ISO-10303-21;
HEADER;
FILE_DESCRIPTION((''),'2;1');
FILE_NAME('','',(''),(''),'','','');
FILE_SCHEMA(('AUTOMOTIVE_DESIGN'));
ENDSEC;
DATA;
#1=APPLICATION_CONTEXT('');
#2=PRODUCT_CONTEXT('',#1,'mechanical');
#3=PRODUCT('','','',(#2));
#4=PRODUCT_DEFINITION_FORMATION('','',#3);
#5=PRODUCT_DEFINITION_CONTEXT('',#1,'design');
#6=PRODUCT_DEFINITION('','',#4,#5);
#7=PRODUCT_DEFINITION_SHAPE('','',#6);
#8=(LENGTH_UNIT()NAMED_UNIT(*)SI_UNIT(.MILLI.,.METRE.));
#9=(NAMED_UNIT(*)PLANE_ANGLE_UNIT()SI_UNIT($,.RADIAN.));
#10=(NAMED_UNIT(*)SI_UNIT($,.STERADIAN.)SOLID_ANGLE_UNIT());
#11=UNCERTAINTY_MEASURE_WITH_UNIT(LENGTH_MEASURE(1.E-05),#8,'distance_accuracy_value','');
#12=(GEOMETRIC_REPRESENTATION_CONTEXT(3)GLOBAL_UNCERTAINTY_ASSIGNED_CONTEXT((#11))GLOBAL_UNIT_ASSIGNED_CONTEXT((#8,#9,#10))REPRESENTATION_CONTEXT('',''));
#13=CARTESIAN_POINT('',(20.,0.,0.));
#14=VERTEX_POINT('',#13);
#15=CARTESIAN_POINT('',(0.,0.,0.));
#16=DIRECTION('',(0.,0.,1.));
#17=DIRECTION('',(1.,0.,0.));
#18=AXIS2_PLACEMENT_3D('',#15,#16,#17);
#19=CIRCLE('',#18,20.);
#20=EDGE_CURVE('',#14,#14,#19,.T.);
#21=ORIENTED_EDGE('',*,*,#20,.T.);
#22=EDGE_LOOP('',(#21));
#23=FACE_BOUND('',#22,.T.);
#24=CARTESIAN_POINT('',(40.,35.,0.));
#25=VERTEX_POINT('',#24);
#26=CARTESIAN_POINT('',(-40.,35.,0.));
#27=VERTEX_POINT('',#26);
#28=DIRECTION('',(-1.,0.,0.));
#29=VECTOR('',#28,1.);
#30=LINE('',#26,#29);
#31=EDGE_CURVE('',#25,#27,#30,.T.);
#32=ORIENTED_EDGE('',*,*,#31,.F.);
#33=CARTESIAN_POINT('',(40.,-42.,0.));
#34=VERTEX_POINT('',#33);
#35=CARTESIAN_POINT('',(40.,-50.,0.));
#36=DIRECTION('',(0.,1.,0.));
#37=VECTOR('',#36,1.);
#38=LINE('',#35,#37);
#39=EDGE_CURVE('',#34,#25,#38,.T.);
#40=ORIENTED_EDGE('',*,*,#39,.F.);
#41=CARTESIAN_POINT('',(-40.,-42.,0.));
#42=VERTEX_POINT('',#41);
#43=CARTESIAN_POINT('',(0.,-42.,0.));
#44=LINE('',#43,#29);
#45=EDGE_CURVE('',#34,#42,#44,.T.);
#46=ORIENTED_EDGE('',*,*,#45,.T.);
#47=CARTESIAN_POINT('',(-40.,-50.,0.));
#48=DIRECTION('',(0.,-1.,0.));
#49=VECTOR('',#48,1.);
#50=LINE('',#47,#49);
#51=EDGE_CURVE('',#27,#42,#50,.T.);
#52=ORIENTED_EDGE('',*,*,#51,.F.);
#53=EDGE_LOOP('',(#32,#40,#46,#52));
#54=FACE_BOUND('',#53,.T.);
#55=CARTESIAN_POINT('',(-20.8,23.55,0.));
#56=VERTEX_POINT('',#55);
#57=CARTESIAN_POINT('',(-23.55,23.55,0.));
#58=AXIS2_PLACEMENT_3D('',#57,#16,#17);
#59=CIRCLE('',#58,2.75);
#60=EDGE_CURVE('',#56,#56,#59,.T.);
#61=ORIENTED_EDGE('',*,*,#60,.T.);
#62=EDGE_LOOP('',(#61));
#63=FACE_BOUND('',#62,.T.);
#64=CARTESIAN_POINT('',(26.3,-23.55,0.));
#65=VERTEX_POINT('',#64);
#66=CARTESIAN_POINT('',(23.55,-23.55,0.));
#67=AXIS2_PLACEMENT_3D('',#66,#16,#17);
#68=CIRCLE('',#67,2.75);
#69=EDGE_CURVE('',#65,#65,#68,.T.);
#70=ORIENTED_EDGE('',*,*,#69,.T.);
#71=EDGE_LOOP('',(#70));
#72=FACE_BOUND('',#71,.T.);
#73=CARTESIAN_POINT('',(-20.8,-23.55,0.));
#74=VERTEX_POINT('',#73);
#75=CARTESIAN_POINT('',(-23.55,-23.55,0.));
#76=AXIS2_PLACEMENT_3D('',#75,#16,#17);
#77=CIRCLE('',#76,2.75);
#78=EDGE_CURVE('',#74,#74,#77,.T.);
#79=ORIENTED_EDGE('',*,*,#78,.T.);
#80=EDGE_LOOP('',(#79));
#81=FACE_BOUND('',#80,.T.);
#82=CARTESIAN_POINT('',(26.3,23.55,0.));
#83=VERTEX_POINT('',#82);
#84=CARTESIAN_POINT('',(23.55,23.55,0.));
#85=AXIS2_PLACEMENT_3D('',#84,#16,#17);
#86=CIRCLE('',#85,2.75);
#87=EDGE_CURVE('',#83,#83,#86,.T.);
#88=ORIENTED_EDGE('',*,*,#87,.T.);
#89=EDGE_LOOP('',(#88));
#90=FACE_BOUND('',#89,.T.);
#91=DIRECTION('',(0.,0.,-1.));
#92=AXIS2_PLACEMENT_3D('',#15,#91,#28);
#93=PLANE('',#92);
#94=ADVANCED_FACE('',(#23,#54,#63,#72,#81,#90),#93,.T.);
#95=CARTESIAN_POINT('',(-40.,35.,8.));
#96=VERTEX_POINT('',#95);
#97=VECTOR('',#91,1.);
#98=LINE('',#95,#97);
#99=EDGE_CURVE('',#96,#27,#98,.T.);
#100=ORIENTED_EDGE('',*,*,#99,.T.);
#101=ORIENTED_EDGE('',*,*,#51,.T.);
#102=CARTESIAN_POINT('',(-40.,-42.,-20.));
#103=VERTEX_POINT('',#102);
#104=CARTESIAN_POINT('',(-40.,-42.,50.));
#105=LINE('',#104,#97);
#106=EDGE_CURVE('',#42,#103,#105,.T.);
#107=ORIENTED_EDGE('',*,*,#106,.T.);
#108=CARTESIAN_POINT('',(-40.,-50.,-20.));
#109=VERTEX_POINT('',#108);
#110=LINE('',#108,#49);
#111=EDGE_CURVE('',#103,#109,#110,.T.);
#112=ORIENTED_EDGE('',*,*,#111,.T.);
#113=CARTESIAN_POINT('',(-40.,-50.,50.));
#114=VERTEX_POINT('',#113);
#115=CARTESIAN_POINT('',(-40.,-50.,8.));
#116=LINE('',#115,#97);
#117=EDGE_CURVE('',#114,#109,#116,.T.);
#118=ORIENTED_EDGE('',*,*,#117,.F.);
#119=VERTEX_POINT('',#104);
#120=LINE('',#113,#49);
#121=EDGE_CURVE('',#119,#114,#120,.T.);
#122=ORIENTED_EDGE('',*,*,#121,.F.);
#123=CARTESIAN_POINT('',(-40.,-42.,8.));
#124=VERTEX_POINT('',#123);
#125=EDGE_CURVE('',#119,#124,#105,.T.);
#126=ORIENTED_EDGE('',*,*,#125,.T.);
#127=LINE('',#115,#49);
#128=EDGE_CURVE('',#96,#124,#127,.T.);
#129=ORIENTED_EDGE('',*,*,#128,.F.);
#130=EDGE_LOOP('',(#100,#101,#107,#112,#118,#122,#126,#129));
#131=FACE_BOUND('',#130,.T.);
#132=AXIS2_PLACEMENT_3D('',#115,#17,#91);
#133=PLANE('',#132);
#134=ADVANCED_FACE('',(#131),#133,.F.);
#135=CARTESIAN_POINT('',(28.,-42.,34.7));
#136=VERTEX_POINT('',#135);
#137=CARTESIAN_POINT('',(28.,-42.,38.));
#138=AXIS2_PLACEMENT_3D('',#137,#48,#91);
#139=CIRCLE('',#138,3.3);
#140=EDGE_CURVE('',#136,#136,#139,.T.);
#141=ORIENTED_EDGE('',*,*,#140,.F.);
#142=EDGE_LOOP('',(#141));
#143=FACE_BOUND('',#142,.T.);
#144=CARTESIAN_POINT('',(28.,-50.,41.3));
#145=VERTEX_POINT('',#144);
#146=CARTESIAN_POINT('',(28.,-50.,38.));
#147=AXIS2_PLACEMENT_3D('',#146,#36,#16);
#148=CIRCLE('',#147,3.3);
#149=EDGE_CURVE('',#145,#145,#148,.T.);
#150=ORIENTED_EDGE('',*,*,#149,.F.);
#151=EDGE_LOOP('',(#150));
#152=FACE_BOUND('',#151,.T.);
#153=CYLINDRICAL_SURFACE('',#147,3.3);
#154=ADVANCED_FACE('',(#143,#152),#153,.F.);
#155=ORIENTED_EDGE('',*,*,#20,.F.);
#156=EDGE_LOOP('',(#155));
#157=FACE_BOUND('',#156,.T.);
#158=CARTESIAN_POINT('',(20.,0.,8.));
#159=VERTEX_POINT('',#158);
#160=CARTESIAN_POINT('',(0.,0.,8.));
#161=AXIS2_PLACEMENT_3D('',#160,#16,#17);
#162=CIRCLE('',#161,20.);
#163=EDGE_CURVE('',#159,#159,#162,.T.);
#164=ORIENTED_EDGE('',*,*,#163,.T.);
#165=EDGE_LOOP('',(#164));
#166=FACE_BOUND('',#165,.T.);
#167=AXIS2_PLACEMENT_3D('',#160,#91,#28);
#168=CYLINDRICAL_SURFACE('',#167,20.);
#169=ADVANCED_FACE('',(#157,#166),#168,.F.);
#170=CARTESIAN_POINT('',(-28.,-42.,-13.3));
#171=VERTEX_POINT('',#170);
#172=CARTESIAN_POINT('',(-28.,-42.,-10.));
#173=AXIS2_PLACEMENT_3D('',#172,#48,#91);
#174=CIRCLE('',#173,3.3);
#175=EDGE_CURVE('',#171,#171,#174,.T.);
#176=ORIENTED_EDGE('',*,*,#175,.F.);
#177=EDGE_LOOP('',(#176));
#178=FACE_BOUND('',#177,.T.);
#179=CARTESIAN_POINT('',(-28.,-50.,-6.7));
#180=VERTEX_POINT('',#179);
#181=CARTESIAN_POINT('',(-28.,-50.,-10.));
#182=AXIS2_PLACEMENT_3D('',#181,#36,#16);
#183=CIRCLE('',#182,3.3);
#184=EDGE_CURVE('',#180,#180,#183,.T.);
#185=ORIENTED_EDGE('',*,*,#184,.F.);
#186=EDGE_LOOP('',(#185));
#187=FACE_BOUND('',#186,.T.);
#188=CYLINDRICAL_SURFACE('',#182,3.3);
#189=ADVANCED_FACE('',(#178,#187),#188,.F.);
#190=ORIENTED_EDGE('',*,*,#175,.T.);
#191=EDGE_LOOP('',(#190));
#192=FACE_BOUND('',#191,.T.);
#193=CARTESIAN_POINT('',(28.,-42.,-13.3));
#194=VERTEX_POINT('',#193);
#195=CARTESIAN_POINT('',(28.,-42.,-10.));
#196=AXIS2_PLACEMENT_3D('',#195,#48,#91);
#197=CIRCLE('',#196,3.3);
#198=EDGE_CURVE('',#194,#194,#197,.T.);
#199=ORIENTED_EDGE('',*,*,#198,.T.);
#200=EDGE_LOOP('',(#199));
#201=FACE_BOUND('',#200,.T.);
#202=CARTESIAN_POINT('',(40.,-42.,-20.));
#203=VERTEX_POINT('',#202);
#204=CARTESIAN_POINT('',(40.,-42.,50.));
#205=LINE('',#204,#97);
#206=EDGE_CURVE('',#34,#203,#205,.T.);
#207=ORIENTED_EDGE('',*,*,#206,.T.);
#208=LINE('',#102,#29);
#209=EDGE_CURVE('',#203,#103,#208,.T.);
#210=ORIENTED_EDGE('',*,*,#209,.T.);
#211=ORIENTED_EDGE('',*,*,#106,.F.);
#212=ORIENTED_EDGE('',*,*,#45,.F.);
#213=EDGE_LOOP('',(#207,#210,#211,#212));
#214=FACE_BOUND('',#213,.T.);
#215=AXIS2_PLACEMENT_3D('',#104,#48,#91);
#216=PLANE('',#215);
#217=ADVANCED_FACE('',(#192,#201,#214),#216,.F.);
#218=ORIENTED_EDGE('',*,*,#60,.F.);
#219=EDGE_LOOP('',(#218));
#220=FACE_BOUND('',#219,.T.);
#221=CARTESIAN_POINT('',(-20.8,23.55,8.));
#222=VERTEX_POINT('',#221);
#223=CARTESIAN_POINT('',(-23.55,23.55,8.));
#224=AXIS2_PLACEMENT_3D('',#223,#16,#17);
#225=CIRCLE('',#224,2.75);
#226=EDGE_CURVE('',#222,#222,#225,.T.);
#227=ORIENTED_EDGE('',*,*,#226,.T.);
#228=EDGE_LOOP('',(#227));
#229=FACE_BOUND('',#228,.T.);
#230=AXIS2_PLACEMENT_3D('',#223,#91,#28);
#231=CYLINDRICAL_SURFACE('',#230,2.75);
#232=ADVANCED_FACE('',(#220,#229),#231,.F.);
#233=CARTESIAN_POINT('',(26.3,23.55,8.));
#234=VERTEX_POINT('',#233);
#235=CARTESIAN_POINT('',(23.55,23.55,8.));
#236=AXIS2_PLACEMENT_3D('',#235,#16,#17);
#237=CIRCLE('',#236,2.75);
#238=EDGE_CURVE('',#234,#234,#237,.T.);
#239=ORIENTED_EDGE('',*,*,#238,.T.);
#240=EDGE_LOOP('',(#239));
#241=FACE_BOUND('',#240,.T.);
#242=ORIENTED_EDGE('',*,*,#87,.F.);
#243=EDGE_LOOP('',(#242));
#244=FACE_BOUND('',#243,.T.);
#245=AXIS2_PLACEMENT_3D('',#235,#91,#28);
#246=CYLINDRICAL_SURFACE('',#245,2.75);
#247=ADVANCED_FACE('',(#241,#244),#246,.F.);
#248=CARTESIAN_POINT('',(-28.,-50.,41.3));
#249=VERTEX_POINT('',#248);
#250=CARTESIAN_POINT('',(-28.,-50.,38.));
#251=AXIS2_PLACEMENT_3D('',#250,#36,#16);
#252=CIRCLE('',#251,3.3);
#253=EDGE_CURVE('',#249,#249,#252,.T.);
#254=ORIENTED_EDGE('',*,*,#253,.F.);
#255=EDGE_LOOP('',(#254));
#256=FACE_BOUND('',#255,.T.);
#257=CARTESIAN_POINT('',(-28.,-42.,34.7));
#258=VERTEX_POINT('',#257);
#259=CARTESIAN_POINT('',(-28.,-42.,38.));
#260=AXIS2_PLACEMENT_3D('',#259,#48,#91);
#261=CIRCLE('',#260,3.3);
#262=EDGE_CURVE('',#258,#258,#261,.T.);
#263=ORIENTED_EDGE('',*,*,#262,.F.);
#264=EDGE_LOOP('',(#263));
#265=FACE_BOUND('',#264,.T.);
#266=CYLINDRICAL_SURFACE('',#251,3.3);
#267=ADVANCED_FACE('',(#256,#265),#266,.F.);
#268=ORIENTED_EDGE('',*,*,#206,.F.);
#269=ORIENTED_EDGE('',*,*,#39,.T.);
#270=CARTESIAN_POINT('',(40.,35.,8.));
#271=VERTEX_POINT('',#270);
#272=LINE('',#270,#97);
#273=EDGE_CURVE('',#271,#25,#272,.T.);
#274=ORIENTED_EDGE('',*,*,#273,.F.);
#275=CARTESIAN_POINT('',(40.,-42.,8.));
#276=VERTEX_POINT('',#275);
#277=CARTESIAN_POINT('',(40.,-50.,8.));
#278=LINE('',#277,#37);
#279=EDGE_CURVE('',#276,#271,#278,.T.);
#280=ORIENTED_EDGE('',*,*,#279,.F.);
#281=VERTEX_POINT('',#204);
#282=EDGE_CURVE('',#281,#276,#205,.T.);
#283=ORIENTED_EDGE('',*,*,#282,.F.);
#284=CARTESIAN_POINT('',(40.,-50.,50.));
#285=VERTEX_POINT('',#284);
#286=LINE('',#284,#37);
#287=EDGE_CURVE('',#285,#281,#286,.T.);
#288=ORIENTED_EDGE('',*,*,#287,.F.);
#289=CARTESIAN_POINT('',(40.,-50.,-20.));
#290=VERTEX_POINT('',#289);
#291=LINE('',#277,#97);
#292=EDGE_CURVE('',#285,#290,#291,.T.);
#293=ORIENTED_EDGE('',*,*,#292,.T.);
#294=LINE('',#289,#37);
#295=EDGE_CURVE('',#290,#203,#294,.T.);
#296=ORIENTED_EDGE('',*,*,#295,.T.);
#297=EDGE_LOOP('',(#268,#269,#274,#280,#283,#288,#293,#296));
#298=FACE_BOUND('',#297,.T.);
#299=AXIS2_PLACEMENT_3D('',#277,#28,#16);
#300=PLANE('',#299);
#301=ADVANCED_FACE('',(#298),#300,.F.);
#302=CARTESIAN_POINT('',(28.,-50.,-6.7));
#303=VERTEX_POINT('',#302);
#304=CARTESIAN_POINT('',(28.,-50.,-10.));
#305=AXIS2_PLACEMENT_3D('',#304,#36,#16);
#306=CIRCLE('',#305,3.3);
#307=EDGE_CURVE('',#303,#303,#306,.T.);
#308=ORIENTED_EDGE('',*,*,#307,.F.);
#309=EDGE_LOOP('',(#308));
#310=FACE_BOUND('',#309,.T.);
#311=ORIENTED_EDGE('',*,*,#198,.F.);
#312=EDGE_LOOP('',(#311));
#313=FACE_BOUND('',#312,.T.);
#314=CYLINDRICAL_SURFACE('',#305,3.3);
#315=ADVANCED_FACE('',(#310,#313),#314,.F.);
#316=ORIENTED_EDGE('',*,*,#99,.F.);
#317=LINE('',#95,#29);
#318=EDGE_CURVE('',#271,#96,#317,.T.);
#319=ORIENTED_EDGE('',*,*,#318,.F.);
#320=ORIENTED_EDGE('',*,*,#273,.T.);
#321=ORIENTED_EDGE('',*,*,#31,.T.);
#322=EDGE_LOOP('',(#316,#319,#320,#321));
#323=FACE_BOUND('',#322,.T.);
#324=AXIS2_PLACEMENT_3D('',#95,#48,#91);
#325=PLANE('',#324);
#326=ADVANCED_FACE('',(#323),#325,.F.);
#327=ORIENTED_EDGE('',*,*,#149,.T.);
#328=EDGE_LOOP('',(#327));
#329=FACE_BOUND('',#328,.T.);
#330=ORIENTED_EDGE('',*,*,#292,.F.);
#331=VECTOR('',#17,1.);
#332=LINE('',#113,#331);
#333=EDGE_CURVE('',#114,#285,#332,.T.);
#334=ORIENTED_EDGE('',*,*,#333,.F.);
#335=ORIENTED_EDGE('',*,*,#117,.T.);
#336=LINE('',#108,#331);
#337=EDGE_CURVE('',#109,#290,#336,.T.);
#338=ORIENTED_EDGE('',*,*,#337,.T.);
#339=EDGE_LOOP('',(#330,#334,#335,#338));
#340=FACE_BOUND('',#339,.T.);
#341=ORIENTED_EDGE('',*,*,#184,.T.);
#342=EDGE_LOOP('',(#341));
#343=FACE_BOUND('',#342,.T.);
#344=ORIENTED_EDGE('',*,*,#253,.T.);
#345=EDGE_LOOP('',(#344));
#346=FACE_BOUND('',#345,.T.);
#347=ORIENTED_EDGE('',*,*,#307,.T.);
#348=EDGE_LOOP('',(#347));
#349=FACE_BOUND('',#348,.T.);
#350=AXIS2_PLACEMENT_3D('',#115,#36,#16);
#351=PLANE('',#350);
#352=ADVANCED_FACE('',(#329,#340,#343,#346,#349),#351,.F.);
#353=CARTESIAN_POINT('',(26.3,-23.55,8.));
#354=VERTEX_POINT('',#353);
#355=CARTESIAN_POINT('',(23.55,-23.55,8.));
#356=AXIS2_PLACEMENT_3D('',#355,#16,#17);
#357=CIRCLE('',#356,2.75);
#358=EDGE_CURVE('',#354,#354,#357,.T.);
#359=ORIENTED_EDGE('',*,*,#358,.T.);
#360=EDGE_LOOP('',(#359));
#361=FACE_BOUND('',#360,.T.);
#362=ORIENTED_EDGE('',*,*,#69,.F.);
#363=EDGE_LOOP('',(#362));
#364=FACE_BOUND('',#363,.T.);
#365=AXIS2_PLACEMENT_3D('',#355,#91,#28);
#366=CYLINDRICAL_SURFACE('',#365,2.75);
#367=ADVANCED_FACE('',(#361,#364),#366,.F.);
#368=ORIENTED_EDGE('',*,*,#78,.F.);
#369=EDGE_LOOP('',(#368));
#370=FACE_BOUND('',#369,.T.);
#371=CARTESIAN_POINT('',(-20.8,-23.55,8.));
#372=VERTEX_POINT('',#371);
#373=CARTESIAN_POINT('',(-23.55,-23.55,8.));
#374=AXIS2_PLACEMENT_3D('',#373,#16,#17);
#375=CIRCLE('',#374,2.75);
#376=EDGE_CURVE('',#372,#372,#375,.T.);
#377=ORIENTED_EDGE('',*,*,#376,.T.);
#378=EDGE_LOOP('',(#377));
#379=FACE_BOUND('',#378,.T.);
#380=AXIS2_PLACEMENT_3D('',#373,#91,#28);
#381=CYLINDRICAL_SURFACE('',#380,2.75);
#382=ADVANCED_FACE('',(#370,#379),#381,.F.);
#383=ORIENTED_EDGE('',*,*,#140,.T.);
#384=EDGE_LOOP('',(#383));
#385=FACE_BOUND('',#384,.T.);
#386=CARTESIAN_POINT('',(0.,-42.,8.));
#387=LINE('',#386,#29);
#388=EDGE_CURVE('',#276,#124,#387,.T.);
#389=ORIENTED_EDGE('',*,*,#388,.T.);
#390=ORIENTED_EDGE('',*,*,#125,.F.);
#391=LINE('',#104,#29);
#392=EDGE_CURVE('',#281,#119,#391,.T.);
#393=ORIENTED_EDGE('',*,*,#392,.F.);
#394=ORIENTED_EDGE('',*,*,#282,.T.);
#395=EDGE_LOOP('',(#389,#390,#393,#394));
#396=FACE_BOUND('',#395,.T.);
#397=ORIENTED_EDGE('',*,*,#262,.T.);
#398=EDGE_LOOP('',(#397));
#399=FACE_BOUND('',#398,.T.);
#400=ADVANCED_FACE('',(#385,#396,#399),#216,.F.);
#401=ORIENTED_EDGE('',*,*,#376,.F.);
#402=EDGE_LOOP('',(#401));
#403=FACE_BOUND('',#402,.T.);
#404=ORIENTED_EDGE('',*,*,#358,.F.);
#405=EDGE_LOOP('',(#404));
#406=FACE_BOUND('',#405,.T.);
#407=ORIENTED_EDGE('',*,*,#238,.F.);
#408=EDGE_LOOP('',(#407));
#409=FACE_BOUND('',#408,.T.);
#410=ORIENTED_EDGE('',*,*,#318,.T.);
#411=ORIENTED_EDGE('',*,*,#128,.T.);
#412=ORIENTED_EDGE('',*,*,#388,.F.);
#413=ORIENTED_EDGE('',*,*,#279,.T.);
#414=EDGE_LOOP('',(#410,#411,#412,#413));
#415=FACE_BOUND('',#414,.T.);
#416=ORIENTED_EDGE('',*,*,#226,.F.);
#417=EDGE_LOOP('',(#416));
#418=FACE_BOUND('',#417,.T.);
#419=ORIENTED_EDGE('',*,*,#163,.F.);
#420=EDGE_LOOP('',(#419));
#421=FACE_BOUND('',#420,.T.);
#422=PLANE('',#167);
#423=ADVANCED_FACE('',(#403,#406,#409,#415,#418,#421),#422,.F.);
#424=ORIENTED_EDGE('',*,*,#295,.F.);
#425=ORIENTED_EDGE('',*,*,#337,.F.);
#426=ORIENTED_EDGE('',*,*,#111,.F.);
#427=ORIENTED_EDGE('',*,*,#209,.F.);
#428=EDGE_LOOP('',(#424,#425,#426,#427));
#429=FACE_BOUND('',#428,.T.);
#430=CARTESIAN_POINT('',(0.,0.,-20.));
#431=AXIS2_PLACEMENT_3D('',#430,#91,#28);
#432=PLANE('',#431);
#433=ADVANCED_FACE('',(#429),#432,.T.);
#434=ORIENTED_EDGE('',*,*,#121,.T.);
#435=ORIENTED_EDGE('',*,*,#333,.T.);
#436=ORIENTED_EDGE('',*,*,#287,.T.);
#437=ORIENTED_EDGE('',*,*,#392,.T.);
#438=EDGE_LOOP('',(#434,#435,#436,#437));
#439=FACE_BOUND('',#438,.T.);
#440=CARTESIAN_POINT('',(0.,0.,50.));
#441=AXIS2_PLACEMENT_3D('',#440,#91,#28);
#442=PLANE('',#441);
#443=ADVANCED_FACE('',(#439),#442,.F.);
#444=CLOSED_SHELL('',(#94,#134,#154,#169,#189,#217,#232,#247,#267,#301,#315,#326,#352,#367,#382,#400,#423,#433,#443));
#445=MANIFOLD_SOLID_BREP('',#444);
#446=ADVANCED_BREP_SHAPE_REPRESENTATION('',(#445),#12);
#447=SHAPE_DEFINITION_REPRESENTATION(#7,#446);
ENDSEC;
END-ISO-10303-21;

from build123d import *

# Parameters (mm, degrees)
SKETCH1_W                          = 80
SKETCH1_H                          = 85
SKETCH1_R                          = 20
SKETCH1_R_2                        = 2.75
FRONT_PLATE_DEPTH                  = 8
BENCH_FOOT_START                   = -20
SKETCH2_W                          = 80
SKETCH2_H                          = 8
BENCH_FOOT_DEPTH                   = 70
FOUR_M6_FOOT_CLEARANCES_DEPTH      = 82.240384046
FOUR_M6_FOOT_CLEARANCES_DEPTH_BACK = 82.240384046
SKETCH3_R                          = 3.3


with BuildPart() as part:
    # Sketch1 → Front_Plate (new body)
    with BuildSketch(Plane.XY):
        with Locations((0, -7.5)):
            Rectangle(SKETCH1_W, SKETCH1_H)
        Circle(SKETCH1_R, mode=Mode.SUBTRACT)
        with Locations((-23.55, -23.55)):
            Circle(SKETCH1_R_2, mode=Mode.SUBTRACT)
        with Locations((-23.55, 23.55)):
            Circle(SKETCH1_R_2, mode=Mode.SUBTRACT)
        with Locations((23.55, -23.55)):
            Circle(SKETCH1_R_2, mode=Mode.SUBTRACT)
        with Locations((23.55, 23.55)):
            Circle(SKETCH1_R_2, mode=Mode.SUBTRACT)
    extrude(amount=FRONT_PLATE_DEPTH)

    # Sketch2 → Bench_Foot (add)
    with BuildSketch(Plane.XY.offset(BENCH_FOOT_START)):
        with Locations((0, -46)):
            Rectangle(SKETCH2_W, SKETCH2_H)
    extrude(amount=BENCH_FOOT_DEPTH)

    # Sketch3 → Four_M6_Foot_Clearances (cut, two sides: drawn at the far end of the back side and taken through both)
    with BuildSketch(Plane(origin=(0, 0, 0), x_dir=(1, 0, 0), z_dir=(0, 1, 0)).offset(-FOUR_M6_FOOT_CLEARANCES_DEPTH_BACK)):
        with Locations(Location((-28, 10, 0), (0, 0, 270))):
            Circle(SKETCH3_R)
        with Locations(Location((-28, -38, 0), (0, 0, 270))):
            Circle(SKETCH3_R)
        with Locations(Location((28, 10, 0), (0, 0, 270))):
            Circle(SKETCH3_R)
        with Locations(Location((28, -38, 0), (0, 0, 270))):
            Circle(SKETCH3_R)
    extrude(amount=FOUR_M6_FOOT_CLEARANCES_DEPTH + FOUR_M6_FOOT_CLEARANCES_DEPTH_BACK, mode=Mode.SUBTRACT)


solid = part.part
